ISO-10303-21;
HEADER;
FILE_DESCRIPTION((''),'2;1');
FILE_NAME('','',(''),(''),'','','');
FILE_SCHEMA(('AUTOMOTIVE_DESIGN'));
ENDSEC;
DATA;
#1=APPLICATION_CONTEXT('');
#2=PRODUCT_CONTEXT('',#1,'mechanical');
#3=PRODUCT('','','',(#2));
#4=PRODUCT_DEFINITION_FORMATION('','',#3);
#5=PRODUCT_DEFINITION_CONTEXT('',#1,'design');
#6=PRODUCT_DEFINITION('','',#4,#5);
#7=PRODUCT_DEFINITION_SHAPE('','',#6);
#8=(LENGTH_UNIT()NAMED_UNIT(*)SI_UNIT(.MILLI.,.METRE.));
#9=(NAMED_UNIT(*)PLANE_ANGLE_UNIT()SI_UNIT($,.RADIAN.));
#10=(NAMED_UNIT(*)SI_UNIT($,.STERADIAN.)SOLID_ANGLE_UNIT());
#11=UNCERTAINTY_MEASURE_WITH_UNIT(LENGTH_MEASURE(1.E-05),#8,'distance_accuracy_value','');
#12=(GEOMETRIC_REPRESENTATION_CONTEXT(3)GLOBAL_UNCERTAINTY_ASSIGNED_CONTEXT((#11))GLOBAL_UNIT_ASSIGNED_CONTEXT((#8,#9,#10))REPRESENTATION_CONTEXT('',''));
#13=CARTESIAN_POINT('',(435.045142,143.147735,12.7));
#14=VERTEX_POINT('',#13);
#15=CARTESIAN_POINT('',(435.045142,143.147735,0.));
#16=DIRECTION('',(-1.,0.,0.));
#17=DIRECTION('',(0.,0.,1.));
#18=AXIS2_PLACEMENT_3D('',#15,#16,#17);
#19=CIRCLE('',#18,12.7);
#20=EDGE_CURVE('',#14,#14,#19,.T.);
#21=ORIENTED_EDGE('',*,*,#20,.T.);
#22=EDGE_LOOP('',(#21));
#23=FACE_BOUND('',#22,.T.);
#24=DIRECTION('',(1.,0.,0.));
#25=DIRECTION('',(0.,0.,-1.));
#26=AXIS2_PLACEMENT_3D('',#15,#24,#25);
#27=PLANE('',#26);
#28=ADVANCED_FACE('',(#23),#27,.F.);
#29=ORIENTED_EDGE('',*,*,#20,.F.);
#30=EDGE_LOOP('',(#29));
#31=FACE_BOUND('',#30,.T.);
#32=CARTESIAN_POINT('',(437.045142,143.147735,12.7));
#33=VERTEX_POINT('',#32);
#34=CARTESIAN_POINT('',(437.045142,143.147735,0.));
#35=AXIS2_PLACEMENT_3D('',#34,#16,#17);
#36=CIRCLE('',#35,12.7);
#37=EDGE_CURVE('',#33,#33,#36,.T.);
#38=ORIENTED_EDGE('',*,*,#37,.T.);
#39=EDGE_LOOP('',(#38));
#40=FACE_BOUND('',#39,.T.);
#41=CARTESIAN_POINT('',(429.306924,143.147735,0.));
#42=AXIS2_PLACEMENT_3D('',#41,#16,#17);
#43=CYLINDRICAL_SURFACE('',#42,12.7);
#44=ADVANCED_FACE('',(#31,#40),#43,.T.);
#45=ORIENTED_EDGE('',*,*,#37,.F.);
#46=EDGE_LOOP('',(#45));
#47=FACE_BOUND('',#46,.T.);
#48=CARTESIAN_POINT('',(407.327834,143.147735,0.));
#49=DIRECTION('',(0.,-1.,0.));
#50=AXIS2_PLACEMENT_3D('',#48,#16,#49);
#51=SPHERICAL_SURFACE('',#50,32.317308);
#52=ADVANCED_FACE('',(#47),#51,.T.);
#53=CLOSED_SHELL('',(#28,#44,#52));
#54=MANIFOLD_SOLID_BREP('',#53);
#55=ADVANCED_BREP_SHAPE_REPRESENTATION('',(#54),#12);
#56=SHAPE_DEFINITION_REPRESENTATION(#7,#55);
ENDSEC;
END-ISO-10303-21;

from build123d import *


with BuildPart() as part:
    # 草图1 → 旋转1 (revolve)
    with BuildSketch(Plane.XY, mode=Mode.PRIVATE) as revolve_1_sk:
        with BuildLine():
            Line((435.045141601, 143.14773479), (435.045141601, 155.84773479))
            Line((435.045141601, 155.84773479), (437.045141601, 155.84773479))
            ThreePointArc((437.045141601, 155.84773479), (438.988469981, 149.629439813), (439.645141601, 143.14773479))
            Line((439.645141601, 143.14773479), (435.045141601, 143.14773479))
        make_face()
    revolve(revolve_1_sk.sketch.rotate(Axis((429.306923565, 143.14773479, 0), (1, 0, 0)), 180), axis=Axis((429.306923565, 143.14773479, 0), (1, 0, 0)))  # turned: the seam where the file's is


solid = part.part
